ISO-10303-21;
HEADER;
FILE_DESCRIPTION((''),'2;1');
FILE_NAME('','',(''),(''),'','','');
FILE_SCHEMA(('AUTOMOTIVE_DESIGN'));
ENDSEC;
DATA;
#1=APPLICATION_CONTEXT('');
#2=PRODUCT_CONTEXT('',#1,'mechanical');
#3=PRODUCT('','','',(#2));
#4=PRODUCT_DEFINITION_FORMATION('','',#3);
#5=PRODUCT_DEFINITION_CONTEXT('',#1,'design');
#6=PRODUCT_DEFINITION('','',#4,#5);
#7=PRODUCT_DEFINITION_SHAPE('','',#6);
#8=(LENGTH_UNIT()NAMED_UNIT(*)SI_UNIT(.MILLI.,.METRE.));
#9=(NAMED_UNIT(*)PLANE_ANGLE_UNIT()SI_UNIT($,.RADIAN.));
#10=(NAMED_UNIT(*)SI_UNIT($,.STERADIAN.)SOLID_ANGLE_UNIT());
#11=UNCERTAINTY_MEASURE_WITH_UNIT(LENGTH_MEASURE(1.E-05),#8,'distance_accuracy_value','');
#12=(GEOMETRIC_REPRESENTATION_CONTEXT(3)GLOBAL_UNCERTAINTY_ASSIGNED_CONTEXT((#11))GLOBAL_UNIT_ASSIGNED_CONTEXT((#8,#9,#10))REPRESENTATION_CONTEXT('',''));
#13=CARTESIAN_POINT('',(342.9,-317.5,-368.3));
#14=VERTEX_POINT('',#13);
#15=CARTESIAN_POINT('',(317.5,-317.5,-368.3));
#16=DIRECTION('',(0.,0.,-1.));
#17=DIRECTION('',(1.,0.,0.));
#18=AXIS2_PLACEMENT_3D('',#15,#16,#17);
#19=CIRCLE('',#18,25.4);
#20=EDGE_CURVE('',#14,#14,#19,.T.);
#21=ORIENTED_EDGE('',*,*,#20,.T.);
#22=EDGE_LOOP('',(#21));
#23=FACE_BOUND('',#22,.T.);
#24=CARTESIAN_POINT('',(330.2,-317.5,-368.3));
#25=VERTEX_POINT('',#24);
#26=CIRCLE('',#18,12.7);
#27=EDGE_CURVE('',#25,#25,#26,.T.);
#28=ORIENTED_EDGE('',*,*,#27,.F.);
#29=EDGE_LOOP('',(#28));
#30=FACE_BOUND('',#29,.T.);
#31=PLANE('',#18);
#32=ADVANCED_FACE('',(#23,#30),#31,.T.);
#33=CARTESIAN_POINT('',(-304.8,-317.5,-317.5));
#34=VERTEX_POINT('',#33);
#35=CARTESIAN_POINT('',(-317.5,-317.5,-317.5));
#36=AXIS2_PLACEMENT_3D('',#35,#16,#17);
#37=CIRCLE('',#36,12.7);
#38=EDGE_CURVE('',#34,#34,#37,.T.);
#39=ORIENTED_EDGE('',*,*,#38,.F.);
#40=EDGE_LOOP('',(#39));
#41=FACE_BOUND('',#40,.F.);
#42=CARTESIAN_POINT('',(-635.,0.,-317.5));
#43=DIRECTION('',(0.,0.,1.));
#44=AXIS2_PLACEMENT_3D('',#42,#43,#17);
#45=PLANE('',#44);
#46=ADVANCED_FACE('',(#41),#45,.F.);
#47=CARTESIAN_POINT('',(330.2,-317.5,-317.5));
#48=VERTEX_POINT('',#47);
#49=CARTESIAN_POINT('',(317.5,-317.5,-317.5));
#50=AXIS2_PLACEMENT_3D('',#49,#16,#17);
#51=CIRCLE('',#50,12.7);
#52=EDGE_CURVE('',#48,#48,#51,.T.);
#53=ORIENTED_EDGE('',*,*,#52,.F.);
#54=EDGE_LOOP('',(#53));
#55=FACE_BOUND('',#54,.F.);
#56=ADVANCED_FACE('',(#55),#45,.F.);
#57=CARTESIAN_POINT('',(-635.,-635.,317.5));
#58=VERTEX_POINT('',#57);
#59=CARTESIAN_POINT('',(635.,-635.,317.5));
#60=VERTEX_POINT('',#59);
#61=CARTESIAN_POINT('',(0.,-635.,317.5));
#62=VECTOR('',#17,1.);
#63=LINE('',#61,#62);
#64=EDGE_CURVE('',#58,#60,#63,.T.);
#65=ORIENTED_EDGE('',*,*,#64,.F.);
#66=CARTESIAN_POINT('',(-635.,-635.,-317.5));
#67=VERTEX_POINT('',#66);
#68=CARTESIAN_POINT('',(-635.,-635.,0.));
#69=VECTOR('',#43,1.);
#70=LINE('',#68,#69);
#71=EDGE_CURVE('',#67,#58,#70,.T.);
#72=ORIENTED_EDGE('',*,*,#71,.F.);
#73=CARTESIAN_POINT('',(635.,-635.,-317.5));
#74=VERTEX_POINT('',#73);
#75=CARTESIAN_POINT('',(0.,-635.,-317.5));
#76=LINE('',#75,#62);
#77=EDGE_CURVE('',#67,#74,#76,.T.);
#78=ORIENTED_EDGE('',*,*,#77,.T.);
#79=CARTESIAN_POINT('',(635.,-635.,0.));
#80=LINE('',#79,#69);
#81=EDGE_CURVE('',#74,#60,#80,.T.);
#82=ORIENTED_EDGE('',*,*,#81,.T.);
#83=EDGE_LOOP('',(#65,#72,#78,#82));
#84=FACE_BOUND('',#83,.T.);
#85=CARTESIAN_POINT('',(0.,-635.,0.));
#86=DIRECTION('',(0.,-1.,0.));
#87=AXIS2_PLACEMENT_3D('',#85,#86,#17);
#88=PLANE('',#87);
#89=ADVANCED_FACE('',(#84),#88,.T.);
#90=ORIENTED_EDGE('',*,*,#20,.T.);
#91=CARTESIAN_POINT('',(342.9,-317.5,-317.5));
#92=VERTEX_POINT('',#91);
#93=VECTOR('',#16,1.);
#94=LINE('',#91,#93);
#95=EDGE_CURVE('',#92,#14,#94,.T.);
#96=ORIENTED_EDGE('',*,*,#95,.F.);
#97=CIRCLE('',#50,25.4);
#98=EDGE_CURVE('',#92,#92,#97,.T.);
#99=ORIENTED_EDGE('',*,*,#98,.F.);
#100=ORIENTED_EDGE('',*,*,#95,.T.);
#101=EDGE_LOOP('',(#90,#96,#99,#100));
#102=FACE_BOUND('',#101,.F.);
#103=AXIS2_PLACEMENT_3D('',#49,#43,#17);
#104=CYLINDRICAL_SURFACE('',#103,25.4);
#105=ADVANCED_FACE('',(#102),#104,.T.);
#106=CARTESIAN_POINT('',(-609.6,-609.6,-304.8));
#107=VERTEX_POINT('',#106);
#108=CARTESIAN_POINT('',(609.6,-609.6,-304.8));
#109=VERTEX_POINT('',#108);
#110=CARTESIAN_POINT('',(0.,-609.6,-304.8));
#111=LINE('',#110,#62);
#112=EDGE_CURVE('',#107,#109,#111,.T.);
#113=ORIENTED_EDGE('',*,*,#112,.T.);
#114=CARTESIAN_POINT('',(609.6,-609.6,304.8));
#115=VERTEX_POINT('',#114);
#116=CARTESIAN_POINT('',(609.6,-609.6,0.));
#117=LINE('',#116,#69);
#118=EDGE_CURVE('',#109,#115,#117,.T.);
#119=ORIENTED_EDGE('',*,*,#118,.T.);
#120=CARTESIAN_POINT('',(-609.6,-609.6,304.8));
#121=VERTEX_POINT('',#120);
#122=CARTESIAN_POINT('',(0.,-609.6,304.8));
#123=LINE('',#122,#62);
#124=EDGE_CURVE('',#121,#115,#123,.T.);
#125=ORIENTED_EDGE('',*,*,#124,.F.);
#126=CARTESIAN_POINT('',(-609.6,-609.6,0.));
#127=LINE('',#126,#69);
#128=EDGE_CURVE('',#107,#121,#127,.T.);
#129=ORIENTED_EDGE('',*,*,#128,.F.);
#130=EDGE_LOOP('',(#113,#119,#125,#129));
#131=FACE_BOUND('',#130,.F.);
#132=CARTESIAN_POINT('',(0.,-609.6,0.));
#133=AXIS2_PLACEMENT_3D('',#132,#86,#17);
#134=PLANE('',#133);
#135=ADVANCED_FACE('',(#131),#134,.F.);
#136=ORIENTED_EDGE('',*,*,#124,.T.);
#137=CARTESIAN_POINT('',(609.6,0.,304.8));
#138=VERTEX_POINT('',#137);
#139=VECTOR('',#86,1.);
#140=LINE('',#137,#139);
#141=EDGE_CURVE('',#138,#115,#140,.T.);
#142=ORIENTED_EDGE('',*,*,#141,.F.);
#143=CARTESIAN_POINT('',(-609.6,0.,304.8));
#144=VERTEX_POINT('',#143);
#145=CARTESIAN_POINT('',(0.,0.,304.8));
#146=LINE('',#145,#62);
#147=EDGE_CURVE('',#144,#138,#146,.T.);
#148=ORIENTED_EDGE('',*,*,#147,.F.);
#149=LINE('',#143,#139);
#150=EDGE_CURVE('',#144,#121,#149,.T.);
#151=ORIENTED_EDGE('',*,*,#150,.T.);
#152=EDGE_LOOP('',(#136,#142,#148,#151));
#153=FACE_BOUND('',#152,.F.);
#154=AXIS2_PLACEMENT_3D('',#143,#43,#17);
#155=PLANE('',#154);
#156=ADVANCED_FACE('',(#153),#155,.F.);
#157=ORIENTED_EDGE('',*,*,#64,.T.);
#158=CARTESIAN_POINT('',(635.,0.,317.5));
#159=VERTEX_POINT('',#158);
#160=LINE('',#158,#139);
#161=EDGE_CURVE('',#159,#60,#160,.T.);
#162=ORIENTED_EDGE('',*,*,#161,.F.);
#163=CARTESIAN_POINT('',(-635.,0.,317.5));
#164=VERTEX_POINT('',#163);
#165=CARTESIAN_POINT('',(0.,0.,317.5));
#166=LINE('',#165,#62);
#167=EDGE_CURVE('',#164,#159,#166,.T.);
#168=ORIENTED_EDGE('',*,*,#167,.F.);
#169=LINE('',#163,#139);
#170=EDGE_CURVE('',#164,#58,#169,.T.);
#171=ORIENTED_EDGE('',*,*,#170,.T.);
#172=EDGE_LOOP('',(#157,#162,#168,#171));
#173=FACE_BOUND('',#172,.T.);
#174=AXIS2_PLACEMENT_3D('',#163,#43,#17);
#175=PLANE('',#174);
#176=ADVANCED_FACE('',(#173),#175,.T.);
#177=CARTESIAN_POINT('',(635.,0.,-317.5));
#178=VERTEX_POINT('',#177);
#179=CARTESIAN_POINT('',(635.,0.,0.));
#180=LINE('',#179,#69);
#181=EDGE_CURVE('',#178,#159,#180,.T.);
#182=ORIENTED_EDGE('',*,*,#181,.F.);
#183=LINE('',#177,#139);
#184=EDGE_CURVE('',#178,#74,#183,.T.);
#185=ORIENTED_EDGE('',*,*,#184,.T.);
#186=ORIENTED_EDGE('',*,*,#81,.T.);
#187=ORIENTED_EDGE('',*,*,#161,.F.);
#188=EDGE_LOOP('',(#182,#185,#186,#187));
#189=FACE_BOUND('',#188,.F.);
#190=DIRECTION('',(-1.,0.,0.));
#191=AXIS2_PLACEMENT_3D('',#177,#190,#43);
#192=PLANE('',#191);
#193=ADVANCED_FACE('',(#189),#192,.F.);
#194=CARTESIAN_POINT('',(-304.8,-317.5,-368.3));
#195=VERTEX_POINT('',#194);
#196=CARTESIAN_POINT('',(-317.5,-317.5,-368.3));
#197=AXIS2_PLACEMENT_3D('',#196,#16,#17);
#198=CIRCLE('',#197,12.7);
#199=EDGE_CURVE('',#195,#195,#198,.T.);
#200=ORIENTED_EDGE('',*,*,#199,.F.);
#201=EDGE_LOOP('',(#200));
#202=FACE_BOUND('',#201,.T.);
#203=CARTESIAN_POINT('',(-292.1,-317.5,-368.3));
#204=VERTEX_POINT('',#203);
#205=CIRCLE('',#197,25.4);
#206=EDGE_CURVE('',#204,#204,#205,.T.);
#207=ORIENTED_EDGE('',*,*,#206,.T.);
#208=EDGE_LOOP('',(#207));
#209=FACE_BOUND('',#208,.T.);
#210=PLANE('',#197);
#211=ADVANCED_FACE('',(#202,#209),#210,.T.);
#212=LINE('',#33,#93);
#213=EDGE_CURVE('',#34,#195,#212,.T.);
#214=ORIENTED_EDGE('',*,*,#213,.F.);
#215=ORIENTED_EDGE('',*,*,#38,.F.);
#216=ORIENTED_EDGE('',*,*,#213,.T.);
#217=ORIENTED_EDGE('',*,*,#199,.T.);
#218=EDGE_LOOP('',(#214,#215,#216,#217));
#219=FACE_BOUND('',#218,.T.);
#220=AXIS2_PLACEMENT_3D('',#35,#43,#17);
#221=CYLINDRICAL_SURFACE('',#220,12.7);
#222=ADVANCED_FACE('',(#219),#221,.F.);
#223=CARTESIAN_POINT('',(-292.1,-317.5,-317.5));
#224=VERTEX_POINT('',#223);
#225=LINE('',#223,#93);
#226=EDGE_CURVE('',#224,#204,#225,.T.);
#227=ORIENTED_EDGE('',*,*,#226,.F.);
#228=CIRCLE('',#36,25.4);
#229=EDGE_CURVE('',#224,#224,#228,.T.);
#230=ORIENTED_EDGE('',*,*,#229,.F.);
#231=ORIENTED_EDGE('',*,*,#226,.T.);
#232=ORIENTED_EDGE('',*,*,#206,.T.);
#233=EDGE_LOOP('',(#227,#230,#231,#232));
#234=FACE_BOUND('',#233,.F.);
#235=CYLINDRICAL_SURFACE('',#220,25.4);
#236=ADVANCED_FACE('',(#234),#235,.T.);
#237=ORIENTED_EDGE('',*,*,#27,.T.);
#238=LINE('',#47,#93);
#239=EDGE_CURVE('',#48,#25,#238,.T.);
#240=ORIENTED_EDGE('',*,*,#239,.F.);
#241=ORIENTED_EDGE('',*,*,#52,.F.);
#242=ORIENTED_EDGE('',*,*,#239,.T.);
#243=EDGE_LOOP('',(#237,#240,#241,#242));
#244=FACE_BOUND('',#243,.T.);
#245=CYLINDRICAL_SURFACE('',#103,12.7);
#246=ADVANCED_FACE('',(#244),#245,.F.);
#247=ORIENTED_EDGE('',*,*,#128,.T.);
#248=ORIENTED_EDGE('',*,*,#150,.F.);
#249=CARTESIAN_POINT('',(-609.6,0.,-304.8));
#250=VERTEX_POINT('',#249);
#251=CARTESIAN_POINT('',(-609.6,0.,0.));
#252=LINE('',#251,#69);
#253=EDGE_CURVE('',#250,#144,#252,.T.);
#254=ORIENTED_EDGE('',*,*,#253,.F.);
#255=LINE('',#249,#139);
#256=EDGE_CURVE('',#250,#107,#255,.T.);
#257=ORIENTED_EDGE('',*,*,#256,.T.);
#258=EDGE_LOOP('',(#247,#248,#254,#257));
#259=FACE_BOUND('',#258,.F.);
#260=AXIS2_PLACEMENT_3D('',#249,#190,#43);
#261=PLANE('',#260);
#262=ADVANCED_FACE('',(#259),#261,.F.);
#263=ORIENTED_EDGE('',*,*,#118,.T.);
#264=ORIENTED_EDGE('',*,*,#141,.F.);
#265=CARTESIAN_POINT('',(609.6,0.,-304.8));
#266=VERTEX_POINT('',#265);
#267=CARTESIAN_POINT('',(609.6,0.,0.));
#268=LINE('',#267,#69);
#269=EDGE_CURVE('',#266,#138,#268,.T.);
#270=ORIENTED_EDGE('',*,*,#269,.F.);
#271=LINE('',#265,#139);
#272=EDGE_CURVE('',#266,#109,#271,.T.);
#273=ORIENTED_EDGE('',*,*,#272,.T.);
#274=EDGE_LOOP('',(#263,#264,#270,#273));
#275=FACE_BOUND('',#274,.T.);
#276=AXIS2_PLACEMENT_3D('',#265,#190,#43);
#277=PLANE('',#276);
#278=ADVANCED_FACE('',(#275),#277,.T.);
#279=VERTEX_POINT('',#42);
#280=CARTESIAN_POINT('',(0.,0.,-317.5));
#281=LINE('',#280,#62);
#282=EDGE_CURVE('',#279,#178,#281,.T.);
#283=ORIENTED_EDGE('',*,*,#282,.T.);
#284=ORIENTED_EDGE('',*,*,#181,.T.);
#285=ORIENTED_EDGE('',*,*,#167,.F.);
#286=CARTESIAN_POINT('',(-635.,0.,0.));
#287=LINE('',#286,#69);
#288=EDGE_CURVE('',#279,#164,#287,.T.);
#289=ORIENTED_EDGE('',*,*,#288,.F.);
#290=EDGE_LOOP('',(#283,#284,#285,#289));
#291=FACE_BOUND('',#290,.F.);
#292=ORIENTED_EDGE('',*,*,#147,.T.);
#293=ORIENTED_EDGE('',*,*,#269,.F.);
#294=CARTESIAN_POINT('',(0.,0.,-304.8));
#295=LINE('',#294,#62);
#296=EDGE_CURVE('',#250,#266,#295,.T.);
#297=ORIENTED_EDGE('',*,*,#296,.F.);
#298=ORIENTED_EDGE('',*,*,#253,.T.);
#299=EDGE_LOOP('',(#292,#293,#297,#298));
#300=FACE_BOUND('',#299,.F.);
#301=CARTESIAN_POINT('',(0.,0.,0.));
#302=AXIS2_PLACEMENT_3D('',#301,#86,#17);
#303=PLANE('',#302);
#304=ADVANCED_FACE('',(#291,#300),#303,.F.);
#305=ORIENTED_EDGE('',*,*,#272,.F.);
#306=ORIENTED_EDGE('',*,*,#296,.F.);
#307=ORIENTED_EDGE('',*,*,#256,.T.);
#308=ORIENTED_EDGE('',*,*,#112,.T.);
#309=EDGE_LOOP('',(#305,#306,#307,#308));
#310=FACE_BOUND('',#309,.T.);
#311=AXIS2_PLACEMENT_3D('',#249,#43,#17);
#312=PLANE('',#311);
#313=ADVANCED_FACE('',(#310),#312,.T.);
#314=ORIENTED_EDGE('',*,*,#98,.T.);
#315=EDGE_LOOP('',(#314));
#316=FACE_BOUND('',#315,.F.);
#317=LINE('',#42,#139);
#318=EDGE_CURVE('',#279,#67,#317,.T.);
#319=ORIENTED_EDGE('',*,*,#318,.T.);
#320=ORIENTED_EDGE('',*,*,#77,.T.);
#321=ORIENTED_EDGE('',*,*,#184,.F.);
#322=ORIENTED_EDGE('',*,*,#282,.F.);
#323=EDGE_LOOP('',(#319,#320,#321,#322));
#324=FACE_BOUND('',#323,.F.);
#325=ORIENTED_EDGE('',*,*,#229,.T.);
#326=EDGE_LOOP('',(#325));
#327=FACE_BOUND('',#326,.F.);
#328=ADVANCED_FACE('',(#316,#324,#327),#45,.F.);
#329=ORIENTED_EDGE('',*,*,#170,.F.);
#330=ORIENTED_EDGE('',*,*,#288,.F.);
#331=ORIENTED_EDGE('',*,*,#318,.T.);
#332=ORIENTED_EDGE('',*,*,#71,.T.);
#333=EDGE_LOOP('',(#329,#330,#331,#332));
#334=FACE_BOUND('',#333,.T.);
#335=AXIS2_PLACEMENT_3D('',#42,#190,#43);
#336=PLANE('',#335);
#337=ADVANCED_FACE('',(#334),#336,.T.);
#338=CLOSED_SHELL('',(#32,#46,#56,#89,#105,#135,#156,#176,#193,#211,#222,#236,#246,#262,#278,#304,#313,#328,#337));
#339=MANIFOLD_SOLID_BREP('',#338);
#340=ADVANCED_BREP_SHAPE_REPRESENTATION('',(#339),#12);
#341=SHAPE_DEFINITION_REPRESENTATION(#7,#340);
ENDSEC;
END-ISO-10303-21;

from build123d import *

# Parameters (mm, degrees)
F0_W     = 1270
F0_H     = 635
F0_W_2   = 1219.2
F0_H_2   = 609.6
F1_DEPTH = 635
F2_DEPTH = 609.6
F3_R     = 25.4
F3_R_2   = 12.7
F4_DEPTH = 50.8


with BuildPart() as f1:
    # F0 (on Front) → F1 (new body)
    with BuildSketch(Plane.XZ):
        Rectangle(F0_W, F0_H)
        Rectangle(F0_W_2, F0_H_2, mode=Mode.SUBTRACT)
        Rectangle(F0_W_2, F0_H_2)
    extrude(amount=F1_DEPTH)

    # F0 (on Front) → F2 (cut)
    with BuildSketch(Plane.XZ):
        Rectangle(F0_W_2, F0_H_2)
    extrude(amount=F2_DEPTH, mode=Mode.SUBTRACT)

    # F3 (on face) → F4 (join)
    with BuildSketch(Plane(origin=(0, 0, -317.5), x_dir=(1, 0, 0), z_dir=(0, 0, -1))):
        with Locations((317.5, 317.5)):
            Circle(F3_R)
        with Locations((317.5, 317.5)):
            Circle(F3_R_2, mode=Mode.SUBTRACT)
        with Locations((-317.5, 317.5)):
            Circle(F3_R)
        with Locations((-317.5, 317.5)):
            Circle(F3_R_2, mode=Mode.SUBTRACT)
    extrude(amount=F4_DEPTH)


solid = f1.part
